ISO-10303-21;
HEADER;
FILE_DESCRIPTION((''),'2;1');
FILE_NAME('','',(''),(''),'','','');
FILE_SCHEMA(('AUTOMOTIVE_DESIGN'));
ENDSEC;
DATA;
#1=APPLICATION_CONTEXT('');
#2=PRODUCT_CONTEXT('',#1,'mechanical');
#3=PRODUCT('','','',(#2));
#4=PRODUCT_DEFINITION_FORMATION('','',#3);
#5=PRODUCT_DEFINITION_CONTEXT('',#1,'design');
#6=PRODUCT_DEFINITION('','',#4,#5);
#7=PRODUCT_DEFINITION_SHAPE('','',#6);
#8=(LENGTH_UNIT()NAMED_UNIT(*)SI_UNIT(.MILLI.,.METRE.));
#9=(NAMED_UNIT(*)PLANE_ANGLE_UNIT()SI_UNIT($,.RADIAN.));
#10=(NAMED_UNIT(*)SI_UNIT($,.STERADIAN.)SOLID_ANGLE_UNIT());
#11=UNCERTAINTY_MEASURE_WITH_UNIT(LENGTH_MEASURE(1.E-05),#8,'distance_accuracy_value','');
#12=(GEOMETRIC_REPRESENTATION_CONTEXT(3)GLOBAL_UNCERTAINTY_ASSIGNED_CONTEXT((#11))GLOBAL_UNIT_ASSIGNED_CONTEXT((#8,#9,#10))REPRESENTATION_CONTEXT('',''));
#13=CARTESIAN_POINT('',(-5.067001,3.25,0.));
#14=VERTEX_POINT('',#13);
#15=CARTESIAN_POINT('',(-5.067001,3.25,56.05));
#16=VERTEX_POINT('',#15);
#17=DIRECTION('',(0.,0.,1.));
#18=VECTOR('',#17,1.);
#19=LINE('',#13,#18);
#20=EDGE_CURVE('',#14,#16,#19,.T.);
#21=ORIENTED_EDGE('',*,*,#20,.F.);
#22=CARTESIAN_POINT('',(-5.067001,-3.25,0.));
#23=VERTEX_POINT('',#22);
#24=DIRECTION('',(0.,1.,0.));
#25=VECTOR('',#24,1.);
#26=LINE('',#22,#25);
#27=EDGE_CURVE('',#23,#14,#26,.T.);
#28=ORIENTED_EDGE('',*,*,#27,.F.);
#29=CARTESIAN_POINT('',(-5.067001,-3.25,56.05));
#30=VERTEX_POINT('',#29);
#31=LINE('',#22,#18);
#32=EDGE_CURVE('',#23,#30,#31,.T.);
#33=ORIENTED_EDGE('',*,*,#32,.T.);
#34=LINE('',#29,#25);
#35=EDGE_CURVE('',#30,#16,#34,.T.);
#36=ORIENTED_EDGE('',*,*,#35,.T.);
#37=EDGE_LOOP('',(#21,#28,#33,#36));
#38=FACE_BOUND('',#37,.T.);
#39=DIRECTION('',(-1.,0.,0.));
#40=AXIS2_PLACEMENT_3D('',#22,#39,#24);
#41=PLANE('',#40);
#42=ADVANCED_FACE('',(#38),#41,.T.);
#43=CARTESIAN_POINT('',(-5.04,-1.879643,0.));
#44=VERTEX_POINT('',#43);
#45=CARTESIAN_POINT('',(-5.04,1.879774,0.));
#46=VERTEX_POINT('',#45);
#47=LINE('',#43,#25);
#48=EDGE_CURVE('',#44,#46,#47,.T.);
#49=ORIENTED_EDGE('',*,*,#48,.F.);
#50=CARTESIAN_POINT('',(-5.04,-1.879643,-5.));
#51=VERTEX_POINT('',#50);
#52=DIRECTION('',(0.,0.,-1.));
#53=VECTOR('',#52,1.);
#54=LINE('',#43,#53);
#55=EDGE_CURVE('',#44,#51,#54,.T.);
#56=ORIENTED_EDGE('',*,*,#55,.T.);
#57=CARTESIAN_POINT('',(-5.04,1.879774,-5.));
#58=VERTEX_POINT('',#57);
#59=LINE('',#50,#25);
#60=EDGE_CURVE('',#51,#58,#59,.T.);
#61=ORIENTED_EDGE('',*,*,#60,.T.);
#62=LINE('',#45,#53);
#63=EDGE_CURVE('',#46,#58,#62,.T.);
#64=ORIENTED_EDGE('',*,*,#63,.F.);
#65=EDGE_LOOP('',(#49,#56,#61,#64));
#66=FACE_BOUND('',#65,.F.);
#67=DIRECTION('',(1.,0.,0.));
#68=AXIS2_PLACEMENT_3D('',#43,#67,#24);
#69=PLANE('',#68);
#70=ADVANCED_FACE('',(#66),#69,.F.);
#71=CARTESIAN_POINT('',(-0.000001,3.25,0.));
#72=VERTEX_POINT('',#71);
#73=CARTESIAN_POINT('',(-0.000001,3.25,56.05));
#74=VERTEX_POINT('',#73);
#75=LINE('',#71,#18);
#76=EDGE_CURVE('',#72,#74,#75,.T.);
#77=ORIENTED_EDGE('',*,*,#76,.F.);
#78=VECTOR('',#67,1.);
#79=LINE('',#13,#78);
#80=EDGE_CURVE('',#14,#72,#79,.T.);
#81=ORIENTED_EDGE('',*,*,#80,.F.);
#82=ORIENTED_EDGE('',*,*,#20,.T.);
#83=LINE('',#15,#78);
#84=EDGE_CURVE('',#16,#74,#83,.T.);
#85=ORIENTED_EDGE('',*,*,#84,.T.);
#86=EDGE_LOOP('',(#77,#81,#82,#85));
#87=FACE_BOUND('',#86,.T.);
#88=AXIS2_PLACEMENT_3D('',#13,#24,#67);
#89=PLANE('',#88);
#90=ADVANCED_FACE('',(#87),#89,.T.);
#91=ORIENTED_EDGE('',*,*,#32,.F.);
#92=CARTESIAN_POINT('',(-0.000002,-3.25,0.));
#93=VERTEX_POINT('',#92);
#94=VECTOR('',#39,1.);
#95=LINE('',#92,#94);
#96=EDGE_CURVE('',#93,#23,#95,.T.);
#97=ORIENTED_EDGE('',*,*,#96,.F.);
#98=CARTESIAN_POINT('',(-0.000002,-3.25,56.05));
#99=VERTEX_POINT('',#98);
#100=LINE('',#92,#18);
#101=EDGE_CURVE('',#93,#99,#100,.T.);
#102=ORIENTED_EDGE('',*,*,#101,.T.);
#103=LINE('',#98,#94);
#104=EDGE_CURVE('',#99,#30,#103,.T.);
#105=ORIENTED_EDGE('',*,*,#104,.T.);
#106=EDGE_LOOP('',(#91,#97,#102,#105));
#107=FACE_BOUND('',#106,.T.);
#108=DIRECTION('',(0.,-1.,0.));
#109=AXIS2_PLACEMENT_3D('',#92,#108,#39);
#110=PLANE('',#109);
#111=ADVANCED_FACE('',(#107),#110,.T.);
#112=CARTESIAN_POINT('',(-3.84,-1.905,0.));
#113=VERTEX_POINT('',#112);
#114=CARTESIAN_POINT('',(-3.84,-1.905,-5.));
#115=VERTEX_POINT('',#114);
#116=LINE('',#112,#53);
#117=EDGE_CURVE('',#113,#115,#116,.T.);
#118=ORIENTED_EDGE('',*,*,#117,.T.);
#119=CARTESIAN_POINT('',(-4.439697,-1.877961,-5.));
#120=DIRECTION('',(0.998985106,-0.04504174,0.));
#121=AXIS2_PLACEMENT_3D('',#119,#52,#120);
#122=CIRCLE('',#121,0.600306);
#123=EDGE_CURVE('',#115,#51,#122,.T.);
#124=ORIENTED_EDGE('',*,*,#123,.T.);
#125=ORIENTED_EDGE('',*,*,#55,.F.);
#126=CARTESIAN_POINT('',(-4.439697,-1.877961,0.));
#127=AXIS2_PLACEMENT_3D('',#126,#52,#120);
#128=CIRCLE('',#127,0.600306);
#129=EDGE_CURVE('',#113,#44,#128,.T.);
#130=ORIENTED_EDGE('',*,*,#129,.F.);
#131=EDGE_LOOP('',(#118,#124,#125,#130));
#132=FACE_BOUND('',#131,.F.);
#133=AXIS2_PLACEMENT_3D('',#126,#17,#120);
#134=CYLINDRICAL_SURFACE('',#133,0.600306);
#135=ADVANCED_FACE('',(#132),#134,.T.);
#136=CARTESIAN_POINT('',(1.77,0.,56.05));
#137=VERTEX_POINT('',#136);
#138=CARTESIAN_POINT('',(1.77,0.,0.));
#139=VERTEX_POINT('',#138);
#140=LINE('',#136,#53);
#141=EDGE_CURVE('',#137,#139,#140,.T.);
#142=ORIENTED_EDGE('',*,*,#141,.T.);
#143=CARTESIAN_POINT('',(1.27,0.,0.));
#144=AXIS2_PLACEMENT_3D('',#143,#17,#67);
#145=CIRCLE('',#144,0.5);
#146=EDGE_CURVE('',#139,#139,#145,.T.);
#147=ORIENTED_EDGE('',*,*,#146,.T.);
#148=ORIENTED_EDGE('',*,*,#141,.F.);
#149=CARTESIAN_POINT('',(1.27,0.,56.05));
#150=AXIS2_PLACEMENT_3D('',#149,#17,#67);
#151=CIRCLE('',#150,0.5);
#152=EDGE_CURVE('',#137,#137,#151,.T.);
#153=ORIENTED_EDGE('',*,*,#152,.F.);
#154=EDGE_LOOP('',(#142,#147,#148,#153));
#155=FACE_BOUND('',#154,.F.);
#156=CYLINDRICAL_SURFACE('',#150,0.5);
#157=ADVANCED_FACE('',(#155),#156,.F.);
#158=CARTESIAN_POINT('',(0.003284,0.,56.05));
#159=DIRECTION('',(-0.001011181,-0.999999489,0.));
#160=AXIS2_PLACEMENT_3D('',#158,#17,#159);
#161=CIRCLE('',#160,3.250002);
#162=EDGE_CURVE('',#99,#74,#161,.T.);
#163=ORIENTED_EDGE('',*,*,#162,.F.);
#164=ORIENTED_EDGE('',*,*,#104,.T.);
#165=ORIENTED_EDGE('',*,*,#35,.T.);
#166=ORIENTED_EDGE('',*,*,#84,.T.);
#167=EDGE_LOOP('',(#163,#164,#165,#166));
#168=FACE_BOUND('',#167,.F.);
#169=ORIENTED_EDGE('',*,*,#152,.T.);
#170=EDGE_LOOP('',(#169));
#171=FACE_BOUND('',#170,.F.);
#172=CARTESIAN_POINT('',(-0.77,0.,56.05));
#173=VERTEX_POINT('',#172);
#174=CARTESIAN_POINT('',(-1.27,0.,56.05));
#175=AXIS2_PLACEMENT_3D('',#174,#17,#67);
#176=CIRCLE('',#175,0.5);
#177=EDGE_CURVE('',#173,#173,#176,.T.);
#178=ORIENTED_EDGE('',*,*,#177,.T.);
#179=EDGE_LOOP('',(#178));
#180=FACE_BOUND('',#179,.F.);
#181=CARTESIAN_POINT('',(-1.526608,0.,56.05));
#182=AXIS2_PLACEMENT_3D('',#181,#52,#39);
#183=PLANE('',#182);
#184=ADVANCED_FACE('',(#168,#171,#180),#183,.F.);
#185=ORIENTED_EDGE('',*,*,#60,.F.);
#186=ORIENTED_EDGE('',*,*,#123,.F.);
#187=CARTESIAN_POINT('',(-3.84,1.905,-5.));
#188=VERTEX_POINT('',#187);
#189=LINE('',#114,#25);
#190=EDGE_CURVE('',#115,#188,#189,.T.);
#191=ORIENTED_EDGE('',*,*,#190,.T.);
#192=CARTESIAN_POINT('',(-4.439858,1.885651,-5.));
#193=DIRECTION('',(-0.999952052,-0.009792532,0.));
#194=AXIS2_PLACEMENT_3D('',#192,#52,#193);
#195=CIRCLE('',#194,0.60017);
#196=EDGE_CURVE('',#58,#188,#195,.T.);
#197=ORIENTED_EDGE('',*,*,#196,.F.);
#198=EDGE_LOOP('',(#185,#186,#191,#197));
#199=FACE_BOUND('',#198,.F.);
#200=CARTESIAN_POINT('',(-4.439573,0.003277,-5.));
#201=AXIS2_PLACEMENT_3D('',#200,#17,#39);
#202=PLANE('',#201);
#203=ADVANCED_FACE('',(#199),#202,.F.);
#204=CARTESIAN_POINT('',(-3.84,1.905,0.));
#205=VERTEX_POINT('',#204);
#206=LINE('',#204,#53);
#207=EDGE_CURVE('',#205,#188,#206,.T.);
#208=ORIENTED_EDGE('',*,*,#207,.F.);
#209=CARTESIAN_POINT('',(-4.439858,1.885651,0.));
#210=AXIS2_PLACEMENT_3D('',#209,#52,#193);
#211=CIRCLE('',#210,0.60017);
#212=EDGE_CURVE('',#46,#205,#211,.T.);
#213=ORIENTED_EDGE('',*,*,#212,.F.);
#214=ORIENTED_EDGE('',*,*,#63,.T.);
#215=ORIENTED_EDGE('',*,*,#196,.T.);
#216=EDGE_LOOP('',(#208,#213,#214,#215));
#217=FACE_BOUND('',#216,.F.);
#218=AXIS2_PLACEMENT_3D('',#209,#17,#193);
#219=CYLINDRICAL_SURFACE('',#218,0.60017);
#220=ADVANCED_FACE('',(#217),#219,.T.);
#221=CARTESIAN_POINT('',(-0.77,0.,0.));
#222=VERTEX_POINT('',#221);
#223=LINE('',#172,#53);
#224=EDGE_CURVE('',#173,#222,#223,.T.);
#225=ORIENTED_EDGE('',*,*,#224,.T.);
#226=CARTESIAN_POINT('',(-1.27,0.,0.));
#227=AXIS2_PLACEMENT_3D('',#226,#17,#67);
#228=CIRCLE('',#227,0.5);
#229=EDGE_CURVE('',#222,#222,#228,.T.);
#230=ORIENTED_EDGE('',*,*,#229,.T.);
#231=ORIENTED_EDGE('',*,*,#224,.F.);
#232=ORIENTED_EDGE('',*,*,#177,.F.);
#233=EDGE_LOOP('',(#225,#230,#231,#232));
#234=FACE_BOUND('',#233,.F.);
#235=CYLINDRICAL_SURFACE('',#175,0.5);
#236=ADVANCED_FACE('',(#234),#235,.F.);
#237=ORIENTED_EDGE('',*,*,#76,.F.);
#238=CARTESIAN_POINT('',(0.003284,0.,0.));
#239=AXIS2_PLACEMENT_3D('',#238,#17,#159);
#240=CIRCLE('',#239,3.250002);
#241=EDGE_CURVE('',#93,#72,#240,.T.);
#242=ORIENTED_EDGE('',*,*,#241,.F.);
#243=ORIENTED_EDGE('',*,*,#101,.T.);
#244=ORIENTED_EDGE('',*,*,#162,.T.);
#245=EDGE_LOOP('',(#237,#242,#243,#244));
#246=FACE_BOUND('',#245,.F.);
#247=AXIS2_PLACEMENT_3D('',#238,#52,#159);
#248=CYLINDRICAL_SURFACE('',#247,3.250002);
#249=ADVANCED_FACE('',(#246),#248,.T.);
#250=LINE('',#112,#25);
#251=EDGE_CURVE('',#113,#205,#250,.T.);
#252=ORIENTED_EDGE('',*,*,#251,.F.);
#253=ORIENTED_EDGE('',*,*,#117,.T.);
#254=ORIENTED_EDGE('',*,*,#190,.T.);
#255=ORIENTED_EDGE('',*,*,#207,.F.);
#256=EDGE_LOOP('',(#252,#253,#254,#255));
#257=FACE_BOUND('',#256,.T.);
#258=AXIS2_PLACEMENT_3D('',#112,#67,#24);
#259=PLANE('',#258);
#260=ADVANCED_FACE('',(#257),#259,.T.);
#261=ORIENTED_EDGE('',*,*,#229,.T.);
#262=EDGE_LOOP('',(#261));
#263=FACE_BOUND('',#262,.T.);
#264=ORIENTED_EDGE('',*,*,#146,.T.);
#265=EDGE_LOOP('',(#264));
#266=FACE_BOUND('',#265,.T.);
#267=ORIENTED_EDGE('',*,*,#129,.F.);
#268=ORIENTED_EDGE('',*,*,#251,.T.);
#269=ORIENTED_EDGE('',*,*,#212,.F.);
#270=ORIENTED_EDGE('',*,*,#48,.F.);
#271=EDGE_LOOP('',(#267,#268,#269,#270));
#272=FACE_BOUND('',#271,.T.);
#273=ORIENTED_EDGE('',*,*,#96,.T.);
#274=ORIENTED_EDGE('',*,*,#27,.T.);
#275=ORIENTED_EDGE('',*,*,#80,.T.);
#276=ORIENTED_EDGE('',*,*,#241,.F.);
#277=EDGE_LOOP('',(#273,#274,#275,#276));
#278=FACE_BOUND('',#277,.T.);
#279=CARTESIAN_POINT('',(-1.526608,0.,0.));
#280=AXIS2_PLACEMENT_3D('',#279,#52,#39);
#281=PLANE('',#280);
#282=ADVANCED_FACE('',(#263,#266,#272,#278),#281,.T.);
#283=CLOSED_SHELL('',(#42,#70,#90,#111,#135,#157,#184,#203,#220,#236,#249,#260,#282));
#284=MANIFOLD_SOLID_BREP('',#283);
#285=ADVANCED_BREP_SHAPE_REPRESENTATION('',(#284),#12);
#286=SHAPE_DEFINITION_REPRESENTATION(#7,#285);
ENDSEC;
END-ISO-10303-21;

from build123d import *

# Parameters (mm, degrees)
PAD_DEPTH    = 56.05
SKETCH001_R  = 0.5
POCKET_DEPTH = 70
PAD001_DEPTH = 5


with BuildPart() as part:
    # Sketch → Pad (new body)
    with BuildSketch(Plane.XY):
        with BuildLine():
            Line((-5.067001, 3.25), (-1e-06, 3.25))
            ThreePointArc((-2e-06, -3.25), (3.253286, 0), (-1e-06, 3.25))
            Line((-2e-06, -3.25), (-5.067001, -3.25))
            Line((-5.067001, -3.25), (-5.067001, 3.25))
        make_face()
    extrude(amount=PAD_DEPTH)

    # Sketch001 (on Face6 of Pad) → Pocket (cut)
    with BuildSketch(Plane.XY.offset(56.05)):
        with Locations((-1.27, 0)):
            Circle(SKETCH001_R)
        with Locations((1.27, 0)):
            Circle(SKETCH001_R)
    extrude(amount=-POCKET_DEPTH, mode=Mode.SUBTRACT)

    # Sketch002 (on Face4 of Pocket) → Pad001 (join)
    with BuildSketch(Plane(origin=(0, 0, 0), x_dir=(1, 0, 0), z_dir=(0, 0, -1))):
        with BuildLine():
            Line((-3.84, 1.905), (-3.84, -1.905))
            ThreePointArc((-5.04, -1.879774), (-4.452472, -2.485689), (-3.84, -1.905))
            Line((-5.04, 1.879643), (-5.04, -1.879774))
            ThreePointArc((-3.84, 1.905), (-4.452379, 2.478133), (-5.04, 1.879643))
        make_face()
    extrude(amount=PAD001_DEPTH)


solid = part.part
